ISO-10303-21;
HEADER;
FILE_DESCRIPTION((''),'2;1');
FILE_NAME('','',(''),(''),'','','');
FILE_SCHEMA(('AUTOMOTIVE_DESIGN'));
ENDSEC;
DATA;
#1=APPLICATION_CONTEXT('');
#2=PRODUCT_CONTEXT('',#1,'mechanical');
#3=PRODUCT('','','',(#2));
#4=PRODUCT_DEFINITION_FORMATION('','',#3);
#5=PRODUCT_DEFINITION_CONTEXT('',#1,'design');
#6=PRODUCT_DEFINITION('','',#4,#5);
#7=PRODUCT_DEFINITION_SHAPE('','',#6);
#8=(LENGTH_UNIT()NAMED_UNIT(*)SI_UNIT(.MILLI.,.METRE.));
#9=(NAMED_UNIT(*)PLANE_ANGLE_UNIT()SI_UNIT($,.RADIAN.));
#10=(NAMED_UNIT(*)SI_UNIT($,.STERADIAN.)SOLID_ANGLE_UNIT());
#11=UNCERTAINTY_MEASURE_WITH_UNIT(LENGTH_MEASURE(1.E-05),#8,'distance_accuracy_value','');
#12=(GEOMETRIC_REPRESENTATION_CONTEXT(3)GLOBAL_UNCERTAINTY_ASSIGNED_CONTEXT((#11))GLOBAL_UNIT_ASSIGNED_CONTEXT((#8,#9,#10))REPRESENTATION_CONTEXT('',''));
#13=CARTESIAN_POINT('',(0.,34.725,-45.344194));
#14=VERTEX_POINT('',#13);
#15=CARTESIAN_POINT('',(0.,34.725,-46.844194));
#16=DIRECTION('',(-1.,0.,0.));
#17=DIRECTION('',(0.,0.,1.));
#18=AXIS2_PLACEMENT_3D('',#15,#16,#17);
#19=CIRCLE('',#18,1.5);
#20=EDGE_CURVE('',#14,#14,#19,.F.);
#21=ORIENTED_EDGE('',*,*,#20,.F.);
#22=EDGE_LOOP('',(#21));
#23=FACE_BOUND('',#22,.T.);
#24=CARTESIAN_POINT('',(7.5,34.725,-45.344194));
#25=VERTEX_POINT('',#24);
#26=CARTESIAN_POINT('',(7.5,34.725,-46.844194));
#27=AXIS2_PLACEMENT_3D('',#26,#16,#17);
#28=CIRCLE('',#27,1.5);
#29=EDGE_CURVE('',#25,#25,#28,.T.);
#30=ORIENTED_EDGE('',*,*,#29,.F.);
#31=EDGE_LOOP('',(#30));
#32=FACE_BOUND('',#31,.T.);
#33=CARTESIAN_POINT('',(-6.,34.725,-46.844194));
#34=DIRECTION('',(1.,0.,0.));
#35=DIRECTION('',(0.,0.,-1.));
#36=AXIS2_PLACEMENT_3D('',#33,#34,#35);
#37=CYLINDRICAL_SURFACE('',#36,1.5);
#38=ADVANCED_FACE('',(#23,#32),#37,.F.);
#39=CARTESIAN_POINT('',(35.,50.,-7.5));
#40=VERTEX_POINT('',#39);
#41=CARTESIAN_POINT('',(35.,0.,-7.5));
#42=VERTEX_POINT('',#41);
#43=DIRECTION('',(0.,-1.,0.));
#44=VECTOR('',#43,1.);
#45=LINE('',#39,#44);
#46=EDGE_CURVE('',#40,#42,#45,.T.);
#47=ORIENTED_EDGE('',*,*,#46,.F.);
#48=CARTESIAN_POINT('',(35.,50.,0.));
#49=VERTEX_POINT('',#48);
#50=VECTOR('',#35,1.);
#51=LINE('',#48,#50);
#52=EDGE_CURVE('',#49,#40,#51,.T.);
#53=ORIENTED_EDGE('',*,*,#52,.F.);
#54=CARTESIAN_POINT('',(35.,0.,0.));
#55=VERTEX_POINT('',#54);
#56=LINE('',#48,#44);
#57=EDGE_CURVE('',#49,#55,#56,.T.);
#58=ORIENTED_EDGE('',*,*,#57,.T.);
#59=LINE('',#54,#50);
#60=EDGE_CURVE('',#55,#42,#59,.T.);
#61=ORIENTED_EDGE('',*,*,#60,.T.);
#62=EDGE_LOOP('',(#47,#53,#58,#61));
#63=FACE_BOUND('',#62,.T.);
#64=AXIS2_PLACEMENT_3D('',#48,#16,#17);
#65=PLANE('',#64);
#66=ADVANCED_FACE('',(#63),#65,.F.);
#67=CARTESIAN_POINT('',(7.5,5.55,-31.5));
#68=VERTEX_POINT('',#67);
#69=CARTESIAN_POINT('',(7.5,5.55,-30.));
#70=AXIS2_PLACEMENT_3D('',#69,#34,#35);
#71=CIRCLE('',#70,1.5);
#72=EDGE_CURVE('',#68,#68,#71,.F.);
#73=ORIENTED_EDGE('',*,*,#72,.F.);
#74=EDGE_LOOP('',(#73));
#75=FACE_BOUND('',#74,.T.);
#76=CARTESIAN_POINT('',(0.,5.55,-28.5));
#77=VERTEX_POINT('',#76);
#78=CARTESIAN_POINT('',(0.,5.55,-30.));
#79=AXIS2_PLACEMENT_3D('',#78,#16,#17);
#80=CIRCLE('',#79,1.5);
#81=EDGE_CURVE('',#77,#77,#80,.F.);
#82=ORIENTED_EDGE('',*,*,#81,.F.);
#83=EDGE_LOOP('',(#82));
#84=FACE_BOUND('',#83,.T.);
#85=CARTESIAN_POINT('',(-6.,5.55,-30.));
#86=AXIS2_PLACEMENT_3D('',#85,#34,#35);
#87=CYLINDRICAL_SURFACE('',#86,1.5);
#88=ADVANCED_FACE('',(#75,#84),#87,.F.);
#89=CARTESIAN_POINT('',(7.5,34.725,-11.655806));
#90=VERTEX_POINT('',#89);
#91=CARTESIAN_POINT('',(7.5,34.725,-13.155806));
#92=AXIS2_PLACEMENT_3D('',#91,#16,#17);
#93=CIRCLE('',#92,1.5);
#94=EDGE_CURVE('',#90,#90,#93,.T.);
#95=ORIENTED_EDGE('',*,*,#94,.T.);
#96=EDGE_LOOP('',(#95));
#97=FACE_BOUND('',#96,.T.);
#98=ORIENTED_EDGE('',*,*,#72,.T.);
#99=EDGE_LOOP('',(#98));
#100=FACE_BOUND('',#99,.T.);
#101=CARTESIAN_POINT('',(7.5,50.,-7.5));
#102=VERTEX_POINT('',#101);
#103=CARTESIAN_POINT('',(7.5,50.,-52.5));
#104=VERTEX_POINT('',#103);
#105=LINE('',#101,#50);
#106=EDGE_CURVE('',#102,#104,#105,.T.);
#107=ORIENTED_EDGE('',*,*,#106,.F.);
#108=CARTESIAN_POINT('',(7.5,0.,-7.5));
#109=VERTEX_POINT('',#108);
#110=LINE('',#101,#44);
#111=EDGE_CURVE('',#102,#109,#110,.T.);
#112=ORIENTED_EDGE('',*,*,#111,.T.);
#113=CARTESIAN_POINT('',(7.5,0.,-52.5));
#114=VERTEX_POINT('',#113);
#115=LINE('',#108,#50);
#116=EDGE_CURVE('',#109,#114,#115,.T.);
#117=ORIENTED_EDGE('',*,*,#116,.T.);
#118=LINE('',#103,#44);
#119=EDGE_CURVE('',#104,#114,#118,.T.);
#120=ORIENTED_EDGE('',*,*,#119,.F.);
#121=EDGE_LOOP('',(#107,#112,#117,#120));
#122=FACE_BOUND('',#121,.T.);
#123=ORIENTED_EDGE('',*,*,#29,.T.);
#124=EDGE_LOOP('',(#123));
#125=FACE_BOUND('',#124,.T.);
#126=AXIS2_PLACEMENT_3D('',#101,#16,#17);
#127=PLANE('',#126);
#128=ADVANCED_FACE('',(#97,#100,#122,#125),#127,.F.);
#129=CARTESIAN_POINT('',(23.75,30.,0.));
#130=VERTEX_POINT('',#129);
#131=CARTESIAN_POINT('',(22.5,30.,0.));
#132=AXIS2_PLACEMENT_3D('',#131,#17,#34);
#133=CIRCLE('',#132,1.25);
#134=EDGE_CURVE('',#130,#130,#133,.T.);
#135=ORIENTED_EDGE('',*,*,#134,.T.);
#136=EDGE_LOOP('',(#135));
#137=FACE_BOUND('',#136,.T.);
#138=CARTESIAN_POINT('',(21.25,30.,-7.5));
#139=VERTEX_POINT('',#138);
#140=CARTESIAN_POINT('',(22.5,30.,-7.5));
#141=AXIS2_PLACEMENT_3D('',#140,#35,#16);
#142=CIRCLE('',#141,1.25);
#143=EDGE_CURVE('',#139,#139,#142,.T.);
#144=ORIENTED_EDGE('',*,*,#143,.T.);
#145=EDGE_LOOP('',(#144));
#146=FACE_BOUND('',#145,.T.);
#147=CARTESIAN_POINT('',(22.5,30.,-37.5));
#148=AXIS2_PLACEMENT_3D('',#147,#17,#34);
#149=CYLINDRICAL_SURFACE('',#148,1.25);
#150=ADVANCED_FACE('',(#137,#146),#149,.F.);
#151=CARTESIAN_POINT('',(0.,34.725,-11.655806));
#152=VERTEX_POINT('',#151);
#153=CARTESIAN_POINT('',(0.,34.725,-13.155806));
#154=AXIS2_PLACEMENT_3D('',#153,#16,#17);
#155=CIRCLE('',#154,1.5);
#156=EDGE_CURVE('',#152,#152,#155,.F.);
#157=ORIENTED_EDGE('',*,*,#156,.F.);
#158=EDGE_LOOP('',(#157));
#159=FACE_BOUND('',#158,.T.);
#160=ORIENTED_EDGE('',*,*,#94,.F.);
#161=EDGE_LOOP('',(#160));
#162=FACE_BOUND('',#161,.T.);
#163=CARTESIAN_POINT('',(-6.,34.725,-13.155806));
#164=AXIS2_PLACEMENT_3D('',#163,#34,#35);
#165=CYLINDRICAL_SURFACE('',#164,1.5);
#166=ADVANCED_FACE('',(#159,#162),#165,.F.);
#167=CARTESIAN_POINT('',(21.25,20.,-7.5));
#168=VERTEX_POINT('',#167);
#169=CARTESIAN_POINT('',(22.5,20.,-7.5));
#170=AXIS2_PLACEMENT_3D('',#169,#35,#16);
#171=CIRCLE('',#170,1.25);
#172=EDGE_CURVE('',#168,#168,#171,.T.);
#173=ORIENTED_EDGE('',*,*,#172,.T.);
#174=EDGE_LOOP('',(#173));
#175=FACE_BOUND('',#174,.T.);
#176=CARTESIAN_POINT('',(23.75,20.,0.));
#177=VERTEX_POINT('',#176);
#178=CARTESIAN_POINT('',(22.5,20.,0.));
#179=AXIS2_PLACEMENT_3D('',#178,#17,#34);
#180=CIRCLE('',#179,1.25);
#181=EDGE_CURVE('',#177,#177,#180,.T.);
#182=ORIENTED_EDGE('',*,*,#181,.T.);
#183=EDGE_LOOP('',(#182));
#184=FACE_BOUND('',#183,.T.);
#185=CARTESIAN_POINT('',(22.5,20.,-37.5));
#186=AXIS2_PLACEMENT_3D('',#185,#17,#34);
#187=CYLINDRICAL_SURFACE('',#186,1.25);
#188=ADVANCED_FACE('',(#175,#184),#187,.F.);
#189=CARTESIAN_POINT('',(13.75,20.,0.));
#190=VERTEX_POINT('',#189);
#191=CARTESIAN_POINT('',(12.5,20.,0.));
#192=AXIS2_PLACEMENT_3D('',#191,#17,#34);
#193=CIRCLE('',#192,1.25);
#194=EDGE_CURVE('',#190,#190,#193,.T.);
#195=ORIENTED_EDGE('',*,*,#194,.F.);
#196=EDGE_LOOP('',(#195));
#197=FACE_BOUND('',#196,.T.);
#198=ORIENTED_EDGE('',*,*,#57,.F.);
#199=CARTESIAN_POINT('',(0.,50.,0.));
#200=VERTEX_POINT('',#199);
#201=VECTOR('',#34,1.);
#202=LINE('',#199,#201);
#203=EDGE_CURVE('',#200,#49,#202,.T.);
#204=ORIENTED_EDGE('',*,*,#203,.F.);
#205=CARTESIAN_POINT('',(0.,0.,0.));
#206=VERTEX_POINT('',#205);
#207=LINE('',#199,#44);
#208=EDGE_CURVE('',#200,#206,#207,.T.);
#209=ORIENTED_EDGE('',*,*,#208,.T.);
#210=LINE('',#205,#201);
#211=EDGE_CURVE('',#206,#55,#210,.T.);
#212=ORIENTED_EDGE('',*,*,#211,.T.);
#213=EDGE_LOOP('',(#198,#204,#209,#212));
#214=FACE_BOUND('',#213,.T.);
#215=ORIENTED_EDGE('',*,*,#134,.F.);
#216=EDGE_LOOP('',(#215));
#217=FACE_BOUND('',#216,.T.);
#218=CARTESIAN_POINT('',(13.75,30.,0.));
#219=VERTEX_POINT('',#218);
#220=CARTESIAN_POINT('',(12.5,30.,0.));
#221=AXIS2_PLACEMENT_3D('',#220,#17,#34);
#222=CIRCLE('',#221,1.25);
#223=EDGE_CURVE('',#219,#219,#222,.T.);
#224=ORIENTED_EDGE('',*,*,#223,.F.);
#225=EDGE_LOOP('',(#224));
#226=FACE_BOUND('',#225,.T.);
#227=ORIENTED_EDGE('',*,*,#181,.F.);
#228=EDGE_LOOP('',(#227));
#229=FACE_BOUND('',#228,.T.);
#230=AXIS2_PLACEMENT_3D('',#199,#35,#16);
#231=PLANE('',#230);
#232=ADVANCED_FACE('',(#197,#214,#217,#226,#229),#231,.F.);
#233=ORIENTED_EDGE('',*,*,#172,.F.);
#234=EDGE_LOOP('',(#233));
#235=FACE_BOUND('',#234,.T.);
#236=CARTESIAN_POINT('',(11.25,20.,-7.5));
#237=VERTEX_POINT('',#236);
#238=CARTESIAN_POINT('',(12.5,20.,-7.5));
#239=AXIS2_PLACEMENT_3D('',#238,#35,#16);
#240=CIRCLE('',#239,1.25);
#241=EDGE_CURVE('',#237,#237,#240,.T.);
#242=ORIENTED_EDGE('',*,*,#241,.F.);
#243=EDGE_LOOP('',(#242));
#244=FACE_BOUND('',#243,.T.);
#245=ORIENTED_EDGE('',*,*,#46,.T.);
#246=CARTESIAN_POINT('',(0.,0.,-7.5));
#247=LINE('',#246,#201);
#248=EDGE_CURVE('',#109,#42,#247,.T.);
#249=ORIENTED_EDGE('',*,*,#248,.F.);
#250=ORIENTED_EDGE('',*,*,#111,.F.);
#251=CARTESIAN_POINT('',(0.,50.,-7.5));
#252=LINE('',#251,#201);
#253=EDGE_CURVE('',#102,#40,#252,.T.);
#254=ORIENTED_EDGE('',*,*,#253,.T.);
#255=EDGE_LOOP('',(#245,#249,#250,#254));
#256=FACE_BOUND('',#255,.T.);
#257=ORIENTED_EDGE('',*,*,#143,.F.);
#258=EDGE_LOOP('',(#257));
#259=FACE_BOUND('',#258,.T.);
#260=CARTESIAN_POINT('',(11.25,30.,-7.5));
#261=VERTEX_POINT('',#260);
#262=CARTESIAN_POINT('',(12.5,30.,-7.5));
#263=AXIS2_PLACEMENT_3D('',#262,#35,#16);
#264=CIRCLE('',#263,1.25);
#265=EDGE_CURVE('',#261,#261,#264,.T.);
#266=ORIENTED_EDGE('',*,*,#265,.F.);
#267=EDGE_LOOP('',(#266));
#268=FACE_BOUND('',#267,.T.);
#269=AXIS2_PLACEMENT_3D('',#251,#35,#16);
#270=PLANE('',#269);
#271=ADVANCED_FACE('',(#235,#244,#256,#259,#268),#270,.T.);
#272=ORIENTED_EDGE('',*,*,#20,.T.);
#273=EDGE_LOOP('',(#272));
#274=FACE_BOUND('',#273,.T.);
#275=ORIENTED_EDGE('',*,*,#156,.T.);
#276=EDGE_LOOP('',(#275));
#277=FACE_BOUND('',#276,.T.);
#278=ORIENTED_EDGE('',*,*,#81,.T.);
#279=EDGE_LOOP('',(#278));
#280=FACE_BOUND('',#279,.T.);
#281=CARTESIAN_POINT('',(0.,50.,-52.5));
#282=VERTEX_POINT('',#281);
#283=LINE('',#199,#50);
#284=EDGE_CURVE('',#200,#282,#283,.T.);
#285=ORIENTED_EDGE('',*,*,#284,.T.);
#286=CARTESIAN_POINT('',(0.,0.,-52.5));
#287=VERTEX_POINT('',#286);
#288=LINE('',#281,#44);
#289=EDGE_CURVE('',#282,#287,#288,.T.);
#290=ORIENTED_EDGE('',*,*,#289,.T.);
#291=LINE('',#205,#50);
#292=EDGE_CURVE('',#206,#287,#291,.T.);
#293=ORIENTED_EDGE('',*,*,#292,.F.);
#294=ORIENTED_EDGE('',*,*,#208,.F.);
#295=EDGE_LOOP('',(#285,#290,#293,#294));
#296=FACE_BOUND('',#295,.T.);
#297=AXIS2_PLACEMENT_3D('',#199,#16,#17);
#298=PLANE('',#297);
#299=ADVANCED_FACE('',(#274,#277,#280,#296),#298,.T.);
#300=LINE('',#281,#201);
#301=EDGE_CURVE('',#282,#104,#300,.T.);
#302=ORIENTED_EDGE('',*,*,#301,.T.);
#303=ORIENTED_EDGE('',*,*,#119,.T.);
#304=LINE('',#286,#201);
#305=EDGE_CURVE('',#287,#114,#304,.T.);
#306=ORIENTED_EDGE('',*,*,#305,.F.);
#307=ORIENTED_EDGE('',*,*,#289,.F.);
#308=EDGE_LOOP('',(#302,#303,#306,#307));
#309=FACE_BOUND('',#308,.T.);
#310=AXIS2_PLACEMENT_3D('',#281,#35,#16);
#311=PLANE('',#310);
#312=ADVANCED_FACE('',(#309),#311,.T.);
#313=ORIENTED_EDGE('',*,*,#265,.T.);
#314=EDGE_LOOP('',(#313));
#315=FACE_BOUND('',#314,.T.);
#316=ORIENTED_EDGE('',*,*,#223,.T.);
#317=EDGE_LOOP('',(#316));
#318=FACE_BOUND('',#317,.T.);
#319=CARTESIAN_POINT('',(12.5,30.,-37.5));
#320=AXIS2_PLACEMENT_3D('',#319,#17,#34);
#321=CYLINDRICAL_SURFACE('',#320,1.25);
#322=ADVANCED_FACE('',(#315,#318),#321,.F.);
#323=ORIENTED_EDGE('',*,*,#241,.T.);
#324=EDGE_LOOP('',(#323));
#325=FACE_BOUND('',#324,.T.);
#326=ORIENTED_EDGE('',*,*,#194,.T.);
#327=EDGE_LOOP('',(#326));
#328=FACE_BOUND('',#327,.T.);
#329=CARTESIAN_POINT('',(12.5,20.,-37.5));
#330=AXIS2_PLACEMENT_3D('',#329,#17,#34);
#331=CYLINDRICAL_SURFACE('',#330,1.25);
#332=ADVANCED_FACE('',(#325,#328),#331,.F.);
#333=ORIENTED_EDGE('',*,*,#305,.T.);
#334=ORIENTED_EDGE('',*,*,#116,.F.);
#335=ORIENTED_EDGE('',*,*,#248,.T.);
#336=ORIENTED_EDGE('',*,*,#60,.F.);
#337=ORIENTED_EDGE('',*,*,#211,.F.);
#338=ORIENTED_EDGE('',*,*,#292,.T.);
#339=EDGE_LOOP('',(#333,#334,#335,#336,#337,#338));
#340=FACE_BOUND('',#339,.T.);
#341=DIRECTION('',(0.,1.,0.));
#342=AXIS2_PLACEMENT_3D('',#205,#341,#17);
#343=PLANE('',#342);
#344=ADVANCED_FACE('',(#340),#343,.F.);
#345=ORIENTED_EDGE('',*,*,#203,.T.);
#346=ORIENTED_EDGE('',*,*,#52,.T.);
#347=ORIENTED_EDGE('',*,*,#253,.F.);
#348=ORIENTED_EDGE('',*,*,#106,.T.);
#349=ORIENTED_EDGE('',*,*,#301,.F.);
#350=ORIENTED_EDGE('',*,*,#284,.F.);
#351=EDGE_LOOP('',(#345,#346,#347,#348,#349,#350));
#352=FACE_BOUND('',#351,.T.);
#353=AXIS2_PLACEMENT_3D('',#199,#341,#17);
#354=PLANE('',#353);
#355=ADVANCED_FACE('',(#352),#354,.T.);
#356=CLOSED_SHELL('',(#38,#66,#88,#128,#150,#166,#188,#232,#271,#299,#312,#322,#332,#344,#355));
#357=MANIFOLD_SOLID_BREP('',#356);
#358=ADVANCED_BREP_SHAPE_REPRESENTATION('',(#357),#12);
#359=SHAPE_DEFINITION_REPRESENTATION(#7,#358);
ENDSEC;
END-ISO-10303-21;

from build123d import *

# Parameters (mm, degrees)
BOSS_EXTRU_1_DEPTH      = 50
ESQUISSE2_R             = 1.25
ENL_V_MAT_EXTRU_1_DEPTH = 37.5
ESQUISSE3_R             = 1.5
ENL_V_MAT_EXTRU_2_DEPTH = 13.5


with BuildPart() as part:
    # Esquisse1 → Boss.-Extru.1 (new body)
    with BuildSketch(Plane(origin=(0, 0, 0), x_dir=(1, 0, 0), z_dir=(0, 1, 0))):
        Polygon((0, 0), (35, 0), (35, 7.5), (7.5, 7.5), (7.5, 52.5), (0, 52.5), align=None)
    extrude(amount=BOSS_EXTRU_1_DEPTH)

    # Esquisse2 → Enlèv. mat.-Extru.1 (cut)
    with BuildSketch(Plane.XY):
        with Locations((22.5, 30)):
            Circle(ESQUISSE2_R)
        with Locations((22.5, 20)):
            Circle(ESQUISSE2_R)
        with Locations((12.5, 20)):
            Circle(ESQUISSE2_R)
        with Locations((12.5, 30)):
            Circle(ESQUISSE2_R)
    extrude(amount=-ENL_V_MAT_EXTRU_1_DEPTH, mode=Mode.SUBTRACT)

    # Esquisse3 → Enlèv. mat.-Extru.2 (cut)
    with BuildSketch(Plane.ZY.offset(-7.5)):
        with Locations(Location((-30, 5.55, 0), (0, 0, 180))):
            Circle(ESQUISSE3_R)
        with Locations((-46.844194104, 34.725)):
            Circle(ESQUISSE3_R)
        with Locations((-13.155805896, 34.725)):
            Circle(ESQUISSE3_R)
    extrude(amount=ENL_V_MAT_EXTRU_2_DEPTH, mode=Mode.SUBTRACT)


solid = part.part
